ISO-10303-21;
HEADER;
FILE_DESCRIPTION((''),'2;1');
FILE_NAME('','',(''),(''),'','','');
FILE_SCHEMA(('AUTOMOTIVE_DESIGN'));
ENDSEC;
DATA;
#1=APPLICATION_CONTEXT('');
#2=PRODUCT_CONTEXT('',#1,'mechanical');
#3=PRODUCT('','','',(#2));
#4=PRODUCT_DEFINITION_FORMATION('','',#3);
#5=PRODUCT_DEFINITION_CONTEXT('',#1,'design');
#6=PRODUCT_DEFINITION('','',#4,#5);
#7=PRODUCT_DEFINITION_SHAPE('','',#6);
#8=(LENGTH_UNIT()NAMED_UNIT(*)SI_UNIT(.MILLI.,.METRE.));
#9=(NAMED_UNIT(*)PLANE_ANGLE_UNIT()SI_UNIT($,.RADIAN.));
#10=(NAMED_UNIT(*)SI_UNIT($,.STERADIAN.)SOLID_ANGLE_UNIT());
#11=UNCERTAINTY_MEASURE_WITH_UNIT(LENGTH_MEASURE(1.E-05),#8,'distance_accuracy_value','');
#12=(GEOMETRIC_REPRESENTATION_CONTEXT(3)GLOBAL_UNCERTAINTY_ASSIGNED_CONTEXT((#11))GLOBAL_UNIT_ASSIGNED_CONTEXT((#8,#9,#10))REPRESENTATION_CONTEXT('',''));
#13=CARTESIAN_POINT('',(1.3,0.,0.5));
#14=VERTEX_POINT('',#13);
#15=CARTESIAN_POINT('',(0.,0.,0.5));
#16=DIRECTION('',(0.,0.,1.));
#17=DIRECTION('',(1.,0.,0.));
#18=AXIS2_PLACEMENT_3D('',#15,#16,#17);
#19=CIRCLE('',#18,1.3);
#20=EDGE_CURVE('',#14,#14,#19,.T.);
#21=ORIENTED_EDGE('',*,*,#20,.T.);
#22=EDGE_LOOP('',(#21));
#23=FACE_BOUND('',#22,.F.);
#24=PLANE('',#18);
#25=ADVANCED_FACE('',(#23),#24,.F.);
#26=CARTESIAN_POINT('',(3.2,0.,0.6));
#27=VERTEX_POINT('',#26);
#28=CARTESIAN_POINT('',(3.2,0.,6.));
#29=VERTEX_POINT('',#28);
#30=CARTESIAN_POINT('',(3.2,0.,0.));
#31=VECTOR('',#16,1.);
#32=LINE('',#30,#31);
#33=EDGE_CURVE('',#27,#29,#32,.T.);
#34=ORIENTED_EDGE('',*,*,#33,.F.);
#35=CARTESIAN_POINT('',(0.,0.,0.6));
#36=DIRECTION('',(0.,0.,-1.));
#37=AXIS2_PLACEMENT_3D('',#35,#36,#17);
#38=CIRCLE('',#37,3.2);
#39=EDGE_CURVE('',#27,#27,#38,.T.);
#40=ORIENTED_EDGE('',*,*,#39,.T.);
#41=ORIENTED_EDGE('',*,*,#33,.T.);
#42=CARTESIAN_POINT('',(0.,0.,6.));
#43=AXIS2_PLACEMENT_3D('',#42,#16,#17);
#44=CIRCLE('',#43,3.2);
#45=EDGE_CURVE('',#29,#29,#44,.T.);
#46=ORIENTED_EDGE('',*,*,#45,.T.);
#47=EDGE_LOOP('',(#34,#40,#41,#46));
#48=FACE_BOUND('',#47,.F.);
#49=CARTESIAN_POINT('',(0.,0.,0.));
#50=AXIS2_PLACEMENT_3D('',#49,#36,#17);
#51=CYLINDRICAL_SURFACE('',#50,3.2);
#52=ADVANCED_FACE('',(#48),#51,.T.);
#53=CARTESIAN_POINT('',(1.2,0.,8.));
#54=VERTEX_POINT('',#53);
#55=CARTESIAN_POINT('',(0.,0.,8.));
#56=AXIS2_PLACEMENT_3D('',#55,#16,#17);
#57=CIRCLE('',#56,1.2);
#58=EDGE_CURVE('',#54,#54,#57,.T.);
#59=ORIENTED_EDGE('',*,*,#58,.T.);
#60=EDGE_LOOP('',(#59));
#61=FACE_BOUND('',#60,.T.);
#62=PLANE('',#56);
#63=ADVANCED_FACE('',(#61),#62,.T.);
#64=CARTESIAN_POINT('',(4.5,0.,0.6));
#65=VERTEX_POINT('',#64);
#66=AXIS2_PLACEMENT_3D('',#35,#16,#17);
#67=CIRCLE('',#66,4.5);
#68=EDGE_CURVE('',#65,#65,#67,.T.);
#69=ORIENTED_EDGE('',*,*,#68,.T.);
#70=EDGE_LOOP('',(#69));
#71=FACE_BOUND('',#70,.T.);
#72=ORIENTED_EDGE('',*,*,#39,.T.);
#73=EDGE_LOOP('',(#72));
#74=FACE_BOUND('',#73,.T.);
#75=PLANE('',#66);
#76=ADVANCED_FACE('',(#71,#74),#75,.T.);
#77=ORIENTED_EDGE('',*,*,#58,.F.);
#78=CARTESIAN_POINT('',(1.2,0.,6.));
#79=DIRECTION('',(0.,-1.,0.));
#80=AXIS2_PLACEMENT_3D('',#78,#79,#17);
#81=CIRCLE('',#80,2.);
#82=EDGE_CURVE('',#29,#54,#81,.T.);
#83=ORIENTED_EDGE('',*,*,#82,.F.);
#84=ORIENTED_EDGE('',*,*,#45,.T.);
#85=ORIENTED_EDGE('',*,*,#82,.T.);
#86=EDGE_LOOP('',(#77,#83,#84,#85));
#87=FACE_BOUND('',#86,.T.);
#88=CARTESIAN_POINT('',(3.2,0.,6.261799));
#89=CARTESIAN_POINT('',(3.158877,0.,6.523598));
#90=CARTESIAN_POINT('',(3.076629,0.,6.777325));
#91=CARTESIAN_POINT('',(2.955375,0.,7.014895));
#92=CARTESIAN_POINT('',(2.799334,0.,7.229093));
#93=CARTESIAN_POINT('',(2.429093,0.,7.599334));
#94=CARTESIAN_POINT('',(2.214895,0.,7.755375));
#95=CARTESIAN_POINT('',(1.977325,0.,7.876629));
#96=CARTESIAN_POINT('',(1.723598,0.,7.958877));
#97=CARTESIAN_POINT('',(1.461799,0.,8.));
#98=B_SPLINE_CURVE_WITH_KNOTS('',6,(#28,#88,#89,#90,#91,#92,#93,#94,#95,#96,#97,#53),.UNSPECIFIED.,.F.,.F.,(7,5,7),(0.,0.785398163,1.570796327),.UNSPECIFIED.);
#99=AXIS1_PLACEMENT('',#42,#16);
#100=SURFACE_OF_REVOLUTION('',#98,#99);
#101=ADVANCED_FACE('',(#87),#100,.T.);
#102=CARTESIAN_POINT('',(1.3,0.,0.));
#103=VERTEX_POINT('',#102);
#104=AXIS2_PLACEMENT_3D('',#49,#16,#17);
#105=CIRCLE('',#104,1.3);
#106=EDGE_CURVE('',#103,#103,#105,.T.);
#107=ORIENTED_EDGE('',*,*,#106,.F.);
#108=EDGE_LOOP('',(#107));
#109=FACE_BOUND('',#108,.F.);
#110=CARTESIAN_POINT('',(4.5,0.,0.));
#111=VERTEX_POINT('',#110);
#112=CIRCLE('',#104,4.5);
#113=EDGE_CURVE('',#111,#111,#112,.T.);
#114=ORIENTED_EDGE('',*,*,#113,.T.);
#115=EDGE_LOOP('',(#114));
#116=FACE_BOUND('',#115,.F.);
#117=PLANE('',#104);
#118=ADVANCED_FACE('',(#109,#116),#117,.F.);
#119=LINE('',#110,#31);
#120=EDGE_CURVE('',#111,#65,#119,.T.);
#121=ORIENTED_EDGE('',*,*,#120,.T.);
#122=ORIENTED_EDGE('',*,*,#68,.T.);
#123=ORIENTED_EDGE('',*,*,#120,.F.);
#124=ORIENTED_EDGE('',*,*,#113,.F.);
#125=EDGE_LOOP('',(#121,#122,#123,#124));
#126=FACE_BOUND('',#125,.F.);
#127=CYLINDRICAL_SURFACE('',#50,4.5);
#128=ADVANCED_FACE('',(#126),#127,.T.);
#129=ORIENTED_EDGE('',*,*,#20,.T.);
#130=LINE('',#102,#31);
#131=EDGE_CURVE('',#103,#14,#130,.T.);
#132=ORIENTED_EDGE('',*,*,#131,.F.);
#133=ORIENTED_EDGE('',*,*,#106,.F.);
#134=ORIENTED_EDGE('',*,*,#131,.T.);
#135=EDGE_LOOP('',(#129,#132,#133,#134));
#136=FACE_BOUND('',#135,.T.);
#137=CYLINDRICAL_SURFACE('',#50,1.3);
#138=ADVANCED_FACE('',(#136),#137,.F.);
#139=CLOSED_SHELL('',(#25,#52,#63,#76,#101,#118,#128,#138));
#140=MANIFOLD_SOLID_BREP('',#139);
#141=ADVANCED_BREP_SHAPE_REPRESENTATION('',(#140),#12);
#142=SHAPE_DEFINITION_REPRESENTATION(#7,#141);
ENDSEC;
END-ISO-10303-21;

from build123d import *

# Parameters (mm, degrees)
F0_R     = 4.5
F0_R_2   = 3.2
F0_R_3   = 1.3
F1_DEPTH = 0.6
F2_DEPTH = 8
F3_R     = 2
F4_DEPTH = 0.5


with BuildPart() as f1:
    # F0 (on Top) → F1 (new body)
    with BuildSketch(Plane.XY):
        Circle(F0_R)
        Circle(F0_R_2, mode=Mode.SUBTRACT)
        Circle(F0_R_2)
        Circle(F0_R_3, mode=Mode.SUBTRACT)
    extrude(amount=F1_DEPTH)

    # F0 (on Top) → F2 (join)
    with BuildSketch(Plane.XY):
        Circle(F0_R_2)
        Circle(F0_R_3, mode=Mode.SUBTRACT)
        Circle(F0_R_3)
    extrude(amount=F2_DEPTH)

    # F3
    f3_edges = [f1.edges().sort_by_distance(p)[0] for p in [
        (-3.2, 0, 8),
    ]]
    fillet(f3_edges, radius=F3_R)

    # F0 (on Top) → F4 (cut)
    with BuildSketch(Plane.XY):
        Circle(F0_R_3)
    extrude(amount=F4_DEPTH, mode=Mode.SUBTRACT)


solid = f1.part
